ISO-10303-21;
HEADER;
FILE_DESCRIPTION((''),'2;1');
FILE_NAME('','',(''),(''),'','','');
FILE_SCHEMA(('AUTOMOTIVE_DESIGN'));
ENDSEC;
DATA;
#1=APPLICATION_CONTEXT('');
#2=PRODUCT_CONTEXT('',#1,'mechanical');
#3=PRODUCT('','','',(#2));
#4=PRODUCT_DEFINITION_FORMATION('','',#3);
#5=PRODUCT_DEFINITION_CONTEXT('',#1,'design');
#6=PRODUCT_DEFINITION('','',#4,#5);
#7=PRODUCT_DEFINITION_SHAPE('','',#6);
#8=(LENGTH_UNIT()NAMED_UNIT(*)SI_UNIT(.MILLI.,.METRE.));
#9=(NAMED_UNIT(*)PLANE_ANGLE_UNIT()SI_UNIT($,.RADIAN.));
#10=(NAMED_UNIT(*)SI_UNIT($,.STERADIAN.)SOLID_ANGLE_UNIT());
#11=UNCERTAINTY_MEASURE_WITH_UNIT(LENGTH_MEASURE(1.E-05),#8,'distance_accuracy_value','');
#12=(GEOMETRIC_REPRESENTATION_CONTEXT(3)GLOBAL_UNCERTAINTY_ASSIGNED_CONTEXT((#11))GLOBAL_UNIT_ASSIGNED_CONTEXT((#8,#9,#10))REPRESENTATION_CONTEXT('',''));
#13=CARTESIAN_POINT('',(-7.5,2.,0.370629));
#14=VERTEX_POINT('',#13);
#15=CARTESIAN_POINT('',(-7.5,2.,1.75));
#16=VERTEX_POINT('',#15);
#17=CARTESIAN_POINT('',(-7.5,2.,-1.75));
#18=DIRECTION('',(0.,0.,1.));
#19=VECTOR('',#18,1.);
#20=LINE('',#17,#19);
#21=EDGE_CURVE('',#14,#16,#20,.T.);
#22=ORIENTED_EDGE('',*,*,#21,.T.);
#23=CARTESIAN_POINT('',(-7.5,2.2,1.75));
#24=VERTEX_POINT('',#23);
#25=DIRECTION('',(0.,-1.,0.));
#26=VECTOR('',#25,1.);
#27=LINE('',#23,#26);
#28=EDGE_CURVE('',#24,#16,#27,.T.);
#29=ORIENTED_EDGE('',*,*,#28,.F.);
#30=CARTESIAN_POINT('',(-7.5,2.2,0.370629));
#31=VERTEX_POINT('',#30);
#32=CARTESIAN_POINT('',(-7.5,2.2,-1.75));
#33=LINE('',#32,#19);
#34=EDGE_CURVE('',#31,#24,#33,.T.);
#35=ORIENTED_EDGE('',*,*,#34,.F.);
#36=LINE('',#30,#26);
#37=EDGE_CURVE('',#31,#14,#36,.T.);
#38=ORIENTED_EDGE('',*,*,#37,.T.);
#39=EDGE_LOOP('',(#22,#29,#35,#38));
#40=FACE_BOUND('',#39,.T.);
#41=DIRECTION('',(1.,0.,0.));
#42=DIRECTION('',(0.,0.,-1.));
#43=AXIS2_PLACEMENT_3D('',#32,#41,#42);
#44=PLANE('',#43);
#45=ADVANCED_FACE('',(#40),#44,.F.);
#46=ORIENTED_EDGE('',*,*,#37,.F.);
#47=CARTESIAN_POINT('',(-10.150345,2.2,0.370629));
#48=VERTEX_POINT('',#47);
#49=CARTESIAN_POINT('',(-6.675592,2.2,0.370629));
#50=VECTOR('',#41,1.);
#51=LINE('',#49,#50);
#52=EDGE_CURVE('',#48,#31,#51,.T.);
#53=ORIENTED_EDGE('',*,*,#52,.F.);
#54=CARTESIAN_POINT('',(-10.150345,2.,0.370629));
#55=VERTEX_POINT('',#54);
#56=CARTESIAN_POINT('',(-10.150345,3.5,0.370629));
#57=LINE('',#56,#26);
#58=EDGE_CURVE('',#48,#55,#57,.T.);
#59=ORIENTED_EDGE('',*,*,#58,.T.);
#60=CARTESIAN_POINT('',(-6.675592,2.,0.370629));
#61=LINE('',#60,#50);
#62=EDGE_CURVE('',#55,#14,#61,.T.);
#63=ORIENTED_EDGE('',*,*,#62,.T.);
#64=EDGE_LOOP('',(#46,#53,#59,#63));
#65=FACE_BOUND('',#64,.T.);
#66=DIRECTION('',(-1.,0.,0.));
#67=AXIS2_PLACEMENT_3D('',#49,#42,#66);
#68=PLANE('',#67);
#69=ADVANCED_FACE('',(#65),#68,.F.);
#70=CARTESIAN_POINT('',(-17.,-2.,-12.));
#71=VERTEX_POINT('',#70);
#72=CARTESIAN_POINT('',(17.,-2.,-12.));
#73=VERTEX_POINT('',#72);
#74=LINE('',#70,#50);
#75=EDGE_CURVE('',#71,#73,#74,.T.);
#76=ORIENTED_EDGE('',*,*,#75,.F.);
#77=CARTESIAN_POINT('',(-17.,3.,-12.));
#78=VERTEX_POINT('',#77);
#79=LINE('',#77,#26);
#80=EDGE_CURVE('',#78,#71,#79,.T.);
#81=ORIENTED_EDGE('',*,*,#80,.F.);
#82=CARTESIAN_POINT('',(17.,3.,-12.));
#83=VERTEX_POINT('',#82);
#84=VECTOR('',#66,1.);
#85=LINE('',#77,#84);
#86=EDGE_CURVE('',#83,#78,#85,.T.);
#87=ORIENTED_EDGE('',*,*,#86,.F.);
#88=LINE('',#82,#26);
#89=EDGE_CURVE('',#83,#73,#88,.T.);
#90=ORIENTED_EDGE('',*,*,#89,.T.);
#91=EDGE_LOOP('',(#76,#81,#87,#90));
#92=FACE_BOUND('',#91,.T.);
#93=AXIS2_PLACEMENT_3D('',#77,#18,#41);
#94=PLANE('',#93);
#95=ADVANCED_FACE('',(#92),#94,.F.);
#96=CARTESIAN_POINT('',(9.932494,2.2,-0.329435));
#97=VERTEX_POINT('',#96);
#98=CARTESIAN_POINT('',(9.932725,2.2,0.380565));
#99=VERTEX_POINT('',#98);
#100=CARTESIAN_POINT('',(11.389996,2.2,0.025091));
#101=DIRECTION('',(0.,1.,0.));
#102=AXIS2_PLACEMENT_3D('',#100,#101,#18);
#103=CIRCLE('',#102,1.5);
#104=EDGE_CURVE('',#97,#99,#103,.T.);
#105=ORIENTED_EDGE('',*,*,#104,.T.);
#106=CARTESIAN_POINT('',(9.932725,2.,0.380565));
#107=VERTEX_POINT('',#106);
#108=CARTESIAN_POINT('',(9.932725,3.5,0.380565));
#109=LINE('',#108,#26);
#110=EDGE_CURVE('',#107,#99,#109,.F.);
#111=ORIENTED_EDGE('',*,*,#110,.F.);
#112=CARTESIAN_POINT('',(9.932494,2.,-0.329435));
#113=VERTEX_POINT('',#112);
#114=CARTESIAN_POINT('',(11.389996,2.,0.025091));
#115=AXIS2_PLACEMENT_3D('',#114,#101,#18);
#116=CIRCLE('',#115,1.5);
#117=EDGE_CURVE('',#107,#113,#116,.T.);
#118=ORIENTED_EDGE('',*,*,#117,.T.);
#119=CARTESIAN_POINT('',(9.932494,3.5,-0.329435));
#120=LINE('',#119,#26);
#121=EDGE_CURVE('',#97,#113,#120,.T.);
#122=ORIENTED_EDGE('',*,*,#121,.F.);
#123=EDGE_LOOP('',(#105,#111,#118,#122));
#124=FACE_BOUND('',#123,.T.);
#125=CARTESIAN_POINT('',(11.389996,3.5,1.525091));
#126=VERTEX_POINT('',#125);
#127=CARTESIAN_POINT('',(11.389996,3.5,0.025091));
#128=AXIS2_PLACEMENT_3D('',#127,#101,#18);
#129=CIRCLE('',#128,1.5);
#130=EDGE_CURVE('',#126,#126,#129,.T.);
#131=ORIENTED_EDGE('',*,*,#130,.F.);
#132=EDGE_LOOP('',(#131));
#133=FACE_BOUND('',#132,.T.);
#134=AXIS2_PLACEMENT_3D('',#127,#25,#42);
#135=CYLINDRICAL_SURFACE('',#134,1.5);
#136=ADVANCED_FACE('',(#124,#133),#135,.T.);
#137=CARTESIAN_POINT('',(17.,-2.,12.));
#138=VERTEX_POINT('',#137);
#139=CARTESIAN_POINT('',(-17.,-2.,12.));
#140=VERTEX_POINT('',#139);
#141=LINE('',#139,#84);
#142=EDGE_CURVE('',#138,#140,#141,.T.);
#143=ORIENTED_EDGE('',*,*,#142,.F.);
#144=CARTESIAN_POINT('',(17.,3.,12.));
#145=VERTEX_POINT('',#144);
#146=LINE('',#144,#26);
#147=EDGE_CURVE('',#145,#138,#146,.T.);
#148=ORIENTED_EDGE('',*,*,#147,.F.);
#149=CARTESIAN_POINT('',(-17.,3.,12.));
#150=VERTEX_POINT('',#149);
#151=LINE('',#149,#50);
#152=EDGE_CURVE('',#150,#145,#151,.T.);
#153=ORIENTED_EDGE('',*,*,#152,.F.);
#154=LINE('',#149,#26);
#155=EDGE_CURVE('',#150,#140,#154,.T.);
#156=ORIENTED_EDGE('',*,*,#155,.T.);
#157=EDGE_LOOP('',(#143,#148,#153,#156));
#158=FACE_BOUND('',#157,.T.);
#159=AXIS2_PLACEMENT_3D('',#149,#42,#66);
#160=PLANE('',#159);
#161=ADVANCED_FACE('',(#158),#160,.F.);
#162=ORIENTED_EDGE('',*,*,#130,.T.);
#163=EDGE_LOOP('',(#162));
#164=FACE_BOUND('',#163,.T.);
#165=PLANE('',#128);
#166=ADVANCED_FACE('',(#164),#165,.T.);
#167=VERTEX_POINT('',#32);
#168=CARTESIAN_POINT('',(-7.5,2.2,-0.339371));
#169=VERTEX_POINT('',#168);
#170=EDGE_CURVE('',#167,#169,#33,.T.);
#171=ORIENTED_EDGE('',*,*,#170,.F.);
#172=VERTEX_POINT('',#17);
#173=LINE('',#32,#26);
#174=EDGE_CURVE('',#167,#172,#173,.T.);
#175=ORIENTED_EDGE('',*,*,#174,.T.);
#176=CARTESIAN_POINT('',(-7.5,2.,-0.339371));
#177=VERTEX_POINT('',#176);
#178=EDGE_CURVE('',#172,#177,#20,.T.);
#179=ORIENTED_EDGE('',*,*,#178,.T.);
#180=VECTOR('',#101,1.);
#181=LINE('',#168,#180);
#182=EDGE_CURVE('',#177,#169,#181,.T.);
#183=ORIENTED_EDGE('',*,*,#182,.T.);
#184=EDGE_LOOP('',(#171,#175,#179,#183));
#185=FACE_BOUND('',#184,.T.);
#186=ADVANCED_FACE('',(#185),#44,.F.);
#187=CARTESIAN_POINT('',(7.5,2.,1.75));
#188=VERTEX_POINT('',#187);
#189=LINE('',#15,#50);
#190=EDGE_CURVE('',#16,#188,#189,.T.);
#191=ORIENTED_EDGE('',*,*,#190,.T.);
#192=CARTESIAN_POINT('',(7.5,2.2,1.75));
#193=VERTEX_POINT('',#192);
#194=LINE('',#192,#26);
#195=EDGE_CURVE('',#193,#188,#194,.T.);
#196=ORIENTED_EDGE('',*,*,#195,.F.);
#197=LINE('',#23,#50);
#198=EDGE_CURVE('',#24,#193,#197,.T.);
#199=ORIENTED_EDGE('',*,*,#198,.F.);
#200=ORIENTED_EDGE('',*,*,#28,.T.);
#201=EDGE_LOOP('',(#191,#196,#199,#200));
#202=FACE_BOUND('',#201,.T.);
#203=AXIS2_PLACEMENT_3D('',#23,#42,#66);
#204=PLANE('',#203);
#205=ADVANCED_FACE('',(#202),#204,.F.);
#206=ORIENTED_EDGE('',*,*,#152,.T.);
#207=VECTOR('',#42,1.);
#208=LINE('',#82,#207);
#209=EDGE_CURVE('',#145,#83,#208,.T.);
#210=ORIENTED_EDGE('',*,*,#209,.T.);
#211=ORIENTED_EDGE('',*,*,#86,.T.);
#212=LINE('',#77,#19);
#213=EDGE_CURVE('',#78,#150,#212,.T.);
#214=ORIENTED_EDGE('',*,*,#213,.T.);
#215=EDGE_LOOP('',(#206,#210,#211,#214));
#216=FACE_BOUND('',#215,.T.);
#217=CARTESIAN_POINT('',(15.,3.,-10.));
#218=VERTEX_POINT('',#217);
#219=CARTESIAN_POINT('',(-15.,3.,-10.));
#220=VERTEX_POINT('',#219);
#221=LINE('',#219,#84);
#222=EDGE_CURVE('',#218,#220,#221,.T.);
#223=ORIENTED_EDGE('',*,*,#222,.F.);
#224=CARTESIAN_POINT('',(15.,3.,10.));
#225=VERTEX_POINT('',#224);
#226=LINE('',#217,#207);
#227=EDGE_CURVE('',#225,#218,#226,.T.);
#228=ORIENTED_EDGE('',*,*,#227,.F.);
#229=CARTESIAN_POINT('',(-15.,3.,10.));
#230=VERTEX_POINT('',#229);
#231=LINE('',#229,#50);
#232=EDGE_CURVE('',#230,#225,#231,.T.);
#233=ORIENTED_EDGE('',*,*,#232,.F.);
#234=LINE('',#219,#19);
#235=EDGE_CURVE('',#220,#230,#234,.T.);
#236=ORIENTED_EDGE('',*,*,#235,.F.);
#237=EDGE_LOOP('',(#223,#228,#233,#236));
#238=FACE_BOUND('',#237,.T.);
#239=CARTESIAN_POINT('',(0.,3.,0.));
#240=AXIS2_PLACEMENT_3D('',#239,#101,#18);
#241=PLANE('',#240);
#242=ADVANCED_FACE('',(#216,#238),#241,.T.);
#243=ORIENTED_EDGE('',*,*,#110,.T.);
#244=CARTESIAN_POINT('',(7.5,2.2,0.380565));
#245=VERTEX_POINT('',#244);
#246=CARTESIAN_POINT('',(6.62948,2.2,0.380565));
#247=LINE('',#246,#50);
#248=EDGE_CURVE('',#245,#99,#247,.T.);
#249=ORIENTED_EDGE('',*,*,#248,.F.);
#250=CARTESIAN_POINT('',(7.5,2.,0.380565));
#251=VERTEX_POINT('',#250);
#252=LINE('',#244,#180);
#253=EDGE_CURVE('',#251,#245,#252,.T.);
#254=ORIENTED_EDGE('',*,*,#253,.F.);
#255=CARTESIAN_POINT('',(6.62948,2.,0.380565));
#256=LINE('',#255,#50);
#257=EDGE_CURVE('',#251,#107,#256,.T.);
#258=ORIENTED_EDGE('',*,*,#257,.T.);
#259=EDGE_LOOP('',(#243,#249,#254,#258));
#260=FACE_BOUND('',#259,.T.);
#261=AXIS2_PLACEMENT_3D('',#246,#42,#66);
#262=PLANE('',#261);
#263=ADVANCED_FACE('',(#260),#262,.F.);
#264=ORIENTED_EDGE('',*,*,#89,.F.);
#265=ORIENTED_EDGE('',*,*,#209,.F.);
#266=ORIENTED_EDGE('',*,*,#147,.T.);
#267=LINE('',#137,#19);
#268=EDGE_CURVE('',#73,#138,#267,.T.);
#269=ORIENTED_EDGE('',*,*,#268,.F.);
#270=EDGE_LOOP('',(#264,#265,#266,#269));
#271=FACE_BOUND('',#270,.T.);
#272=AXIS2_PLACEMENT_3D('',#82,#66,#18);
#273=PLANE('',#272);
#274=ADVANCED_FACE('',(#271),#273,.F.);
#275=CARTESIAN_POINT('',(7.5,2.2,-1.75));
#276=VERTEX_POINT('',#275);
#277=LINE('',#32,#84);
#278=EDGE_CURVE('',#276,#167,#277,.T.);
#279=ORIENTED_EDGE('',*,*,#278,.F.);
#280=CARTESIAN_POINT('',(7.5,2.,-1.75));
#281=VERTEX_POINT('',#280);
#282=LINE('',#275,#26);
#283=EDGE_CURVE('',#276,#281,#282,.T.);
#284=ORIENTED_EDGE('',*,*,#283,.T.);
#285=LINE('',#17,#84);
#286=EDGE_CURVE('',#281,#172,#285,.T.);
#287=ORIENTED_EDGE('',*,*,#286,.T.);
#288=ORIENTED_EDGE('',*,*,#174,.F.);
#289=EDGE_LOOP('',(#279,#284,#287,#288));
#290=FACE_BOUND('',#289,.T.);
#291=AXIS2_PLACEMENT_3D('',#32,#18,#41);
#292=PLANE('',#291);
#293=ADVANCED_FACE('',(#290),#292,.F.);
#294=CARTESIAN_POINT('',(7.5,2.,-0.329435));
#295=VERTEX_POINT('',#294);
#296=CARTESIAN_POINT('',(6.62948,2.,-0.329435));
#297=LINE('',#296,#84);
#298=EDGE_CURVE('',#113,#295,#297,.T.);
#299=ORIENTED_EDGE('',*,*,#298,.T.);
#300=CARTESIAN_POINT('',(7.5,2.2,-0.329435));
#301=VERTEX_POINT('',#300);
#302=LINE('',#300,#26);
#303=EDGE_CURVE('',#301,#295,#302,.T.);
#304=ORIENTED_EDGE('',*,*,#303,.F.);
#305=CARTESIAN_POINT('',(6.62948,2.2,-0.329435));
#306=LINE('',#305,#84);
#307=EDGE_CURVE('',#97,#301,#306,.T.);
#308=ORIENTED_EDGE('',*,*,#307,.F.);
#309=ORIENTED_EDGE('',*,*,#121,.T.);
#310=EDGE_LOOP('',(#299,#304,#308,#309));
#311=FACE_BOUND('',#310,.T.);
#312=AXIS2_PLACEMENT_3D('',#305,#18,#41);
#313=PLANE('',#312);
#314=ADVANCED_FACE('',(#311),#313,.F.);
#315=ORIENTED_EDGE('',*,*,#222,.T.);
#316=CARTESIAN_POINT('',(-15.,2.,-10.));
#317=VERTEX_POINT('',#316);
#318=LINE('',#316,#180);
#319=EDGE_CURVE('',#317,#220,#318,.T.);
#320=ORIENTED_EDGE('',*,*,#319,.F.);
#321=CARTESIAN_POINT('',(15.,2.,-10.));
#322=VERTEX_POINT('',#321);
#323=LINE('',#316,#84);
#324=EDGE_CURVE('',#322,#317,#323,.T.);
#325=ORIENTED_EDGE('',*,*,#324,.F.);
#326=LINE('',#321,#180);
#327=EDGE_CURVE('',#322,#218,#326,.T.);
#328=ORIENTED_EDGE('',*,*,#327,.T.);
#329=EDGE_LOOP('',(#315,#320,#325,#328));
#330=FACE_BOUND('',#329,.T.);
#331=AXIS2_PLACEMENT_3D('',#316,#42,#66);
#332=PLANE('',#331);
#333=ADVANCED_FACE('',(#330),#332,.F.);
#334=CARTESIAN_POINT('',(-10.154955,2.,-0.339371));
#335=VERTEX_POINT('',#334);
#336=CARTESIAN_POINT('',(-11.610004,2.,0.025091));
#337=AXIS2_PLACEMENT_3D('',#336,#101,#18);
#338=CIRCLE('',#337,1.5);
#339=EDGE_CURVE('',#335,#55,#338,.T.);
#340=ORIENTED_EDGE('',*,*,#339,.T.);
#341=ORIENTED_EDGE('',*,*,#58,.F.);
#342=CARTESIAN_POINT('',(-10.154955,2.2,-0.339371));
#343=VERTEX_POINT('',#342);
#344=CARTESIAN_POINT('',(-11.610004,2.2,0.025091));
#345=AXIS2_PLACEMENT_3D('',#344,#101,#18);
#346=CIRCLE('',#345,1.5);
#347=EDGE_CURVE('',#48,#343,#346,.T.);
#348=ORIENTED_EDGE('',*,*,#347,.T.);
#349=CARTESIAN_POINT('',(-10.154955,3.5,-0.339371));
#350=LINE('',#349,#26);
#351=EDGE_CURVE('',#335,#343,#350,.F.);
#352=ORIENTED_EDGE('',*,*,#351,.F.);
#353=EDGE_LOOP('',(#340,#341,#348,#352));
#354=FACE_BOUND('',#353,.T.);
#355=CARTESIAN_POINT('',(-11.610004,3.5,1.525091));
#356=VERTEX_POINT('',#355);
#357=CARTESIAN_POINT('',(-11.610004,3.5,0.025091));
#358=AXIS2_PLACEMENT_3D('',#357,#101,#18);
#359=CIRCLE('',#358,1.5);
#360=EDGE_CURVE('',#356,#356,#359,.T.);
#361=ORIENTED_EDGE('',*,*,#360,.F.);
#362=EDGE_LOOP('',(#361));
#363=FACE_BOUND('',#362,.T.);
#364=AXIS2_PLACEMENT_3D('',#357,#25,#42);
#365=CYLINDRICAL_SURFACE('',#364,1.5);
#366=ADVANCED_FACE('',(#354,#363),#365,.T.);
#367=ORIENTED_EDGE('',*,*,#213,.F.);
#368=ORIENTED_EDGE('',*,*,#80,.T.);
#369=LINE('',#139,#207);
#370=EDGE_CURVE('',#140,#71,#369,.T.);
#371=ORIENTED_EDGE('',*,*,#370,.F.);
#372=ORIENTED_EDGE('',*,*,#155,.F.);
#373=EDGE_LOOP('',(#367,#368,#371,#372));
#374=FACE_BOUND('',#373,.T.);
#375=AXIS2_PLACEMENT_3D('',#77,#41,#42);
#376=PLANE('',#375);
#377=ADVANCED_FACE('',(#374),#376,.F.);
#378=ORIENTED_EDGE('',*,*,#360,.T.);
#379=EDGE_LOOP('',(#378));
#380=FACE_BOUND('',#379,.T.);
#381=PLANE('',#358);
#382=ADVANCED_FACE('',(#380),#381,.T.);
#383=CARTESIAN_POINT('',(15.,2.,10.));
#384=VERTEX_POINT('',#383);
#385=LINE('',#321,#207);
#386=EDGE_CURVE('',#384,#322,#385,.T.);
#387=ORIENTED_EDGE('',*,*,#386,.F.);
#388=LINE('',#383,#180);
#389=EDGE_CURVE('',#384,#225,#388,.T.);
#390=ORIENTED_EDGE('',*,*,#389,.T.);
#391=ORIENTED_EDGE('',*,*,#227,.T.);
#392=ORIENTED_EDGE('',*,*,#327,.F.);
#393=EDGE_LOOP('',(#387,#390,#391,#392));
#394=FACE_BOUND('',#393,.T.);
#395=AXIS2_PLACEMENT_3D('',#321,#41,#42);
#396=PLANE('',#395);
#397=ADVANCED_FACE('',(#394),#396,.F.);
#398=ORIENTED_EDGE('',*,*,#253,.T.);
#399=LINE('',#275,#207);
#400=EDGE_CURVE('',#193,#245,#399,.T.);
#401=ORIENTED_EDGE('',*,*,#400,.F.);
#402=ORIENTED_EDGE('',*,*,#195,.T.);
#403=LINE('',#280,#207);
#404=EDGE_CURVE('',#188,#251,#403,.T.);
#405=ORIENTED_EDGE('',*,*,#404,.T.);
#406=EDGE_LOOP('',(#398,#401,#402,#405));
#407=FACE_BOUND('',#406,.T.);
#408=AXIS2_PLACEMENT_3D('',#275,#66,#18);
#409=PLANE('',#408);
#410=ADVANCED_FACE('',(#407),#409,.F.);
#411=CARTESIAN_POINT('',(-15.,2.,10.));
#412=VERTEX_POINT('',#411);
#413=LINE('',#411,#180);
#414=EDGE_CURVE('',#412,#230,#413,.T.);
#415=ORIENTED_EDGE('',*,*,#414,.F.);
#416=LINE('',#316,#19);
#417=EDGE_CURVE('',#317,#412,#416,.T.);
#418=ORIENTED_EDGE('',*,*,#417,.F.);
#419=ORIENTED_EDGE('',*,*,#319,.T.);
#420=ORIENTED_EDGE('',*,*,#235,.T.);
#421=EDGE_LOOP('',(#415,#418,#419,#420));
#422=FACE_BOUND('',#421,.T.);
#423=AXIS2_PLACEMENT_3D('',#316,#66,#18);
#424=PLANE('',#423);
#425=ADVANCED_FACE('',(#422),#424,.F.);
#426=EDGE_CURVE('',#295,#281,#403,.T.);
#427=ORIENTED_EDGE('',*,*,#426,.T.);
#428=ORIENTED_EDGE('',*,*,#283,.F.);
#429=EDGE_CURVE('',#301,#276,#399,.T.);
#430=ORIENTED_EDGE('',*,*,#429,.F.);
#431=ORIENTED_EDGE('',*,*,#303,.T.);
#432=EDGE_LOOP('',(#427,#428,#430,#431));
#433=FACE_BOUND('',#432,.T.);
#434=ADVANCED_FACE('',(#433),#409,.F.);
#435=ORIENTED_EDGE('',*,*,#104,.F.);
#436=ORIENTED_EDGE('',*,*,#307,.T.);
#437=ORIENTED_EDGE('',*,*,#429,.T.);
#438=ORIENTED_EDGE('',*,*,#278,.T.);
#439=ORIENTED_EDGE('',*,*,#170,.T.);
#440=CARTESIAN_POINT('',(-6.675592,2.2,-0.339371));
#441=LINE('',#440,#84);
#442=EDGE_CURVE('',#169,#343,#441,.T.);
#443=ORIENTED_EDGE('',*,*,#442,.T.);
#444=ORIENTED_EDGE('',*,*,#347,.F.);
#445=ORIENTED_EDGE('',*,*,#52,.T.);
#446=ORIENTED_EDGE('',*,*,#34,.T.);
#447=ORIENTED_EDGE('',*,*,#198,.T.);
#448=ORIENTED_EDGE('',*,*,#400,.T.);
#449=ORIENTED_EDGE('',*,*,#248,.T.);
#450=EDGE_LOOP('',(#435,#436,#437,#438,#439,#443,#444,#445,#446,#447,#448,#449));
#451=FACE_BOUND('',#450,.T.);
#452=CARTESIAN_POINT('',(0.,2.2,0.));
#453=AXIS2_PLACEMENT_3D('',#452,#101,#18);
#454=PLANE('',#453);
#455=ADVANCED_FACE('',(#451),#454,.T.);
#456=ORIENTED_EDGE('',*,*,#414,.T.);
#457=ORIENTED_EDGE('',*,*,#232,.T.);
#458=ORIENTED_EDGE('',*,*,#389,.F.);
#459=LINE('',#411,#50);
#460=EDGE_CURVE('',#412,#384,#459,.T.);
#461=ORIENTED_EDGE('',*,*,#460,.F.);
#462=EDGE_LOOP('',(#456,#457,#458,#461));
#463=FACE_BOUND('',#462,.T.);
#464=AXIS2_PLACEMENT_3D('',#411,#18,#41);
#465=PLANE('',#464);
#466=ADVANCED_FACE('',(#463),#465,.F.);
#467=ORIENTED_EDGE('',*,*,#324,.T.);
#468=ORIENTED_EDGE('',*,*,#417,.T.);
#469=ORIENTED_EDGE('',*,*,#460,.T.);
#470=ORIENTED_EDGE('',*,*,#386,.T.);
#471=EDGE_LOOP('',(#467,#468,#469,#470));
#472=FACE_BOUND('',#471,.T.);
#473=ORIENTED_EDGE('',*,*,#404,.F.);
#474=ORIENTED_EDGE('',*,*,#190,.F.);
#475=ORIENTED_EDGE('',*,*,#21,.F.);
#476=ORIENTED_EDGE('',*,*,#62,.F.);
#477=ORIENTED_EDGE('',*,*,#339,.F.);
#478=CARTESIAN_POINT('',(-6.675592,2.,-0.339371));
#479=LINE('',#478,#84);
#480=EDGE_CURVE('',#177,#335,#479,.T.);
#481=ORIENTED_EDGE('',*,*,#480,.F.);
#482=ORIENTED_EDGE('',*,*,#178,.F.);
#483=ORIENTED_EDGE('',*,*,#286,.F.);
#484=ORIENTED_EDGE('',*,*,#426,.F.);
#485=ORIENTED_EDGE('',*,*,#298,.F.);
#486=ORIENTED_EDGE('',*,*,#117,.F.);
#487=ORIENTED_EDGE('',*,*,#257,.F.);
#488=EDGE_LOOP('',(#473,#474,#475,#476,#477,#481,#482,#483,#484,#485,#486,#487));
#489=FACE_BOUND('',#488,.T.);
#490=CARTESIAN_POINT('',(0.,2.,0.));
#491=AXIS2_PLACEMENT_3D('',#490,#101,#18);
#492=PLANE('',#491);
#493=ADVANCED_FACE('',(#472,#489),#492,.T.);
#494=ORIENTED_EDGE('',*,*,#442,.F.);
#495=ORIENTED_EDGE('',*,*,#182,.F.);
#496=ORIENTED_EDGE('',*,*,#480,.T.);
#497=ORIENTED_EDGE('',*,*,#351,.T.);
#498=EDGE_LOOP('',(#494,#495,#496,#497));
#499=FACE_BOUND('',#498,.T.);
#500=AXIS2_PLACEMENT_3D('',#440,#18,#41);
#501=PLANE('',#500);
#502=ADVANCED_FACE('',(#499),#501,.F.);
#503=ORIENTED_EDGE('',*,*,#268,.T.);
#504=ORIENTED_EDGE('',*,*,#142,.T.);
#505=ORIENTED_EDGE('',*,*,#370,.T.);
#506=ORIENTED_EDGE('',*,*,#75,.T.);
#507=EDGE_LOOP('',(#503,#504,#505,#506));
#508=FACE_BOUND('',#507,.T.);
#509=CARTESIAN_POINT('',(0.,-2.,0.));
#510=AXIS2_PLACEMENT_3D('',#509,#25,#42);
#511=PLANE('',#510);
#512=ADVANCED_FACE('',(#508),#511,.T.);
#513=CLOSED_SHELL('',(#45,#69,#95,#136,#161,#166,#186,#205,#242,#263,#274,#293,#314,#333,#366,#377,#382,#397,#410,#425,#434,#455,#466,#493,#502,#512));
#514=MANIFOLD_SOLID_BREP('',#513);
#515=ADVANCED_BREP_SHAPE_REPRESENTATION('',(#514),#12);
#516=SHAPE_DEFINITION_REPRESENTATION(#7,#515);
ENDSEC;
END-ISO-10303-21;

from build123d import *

# Parameters (mm, degrees)
CROQUIS1_W               = 34
CROQUIS1_H               = 24
SALIENTE_EXTRUIR1_DEPTH  = 3
CROQUIS2_W               = 30
CROQUIS2_H               = 20
CORTAR_EXTRUIR1_DEPTH    = 1
CROQUIS6_R               = 1.5
SALIENTE_EXTRUIR3_DEPTH  = 1.5
MATRIZL1_COUNT           = 2
MATRIZL1_PITCH           = 23
CROQUIS8_W               = 5
CROQUIS8_H               = 0.71
SALIENTE_EXTRUIR5_DEPTH  = 0.2
CROQUIS10_W              = 5
CROQUIS10_H              = 0.71
SALIENTE_EXTRUIR6_DEPTH  = 0.2
CROQUIS18_W              = 15
CROQUIS18_H              = 3.5
SALIENTE_EXTRUIR8_DEPTH  = 0.2
CROQUIS23_W              = 34
CROQUIS23_H              = 24
SALIENTE_EXTRUIR11_DEPTH = 2


with BuildPart() as part:
    # Croquis1 → Saliente-Extruir1 (new body)
    with BuildSketch(Plane(origin=(0, 0, 0), x_dir=(1, 0, 0), z_dir=(0, 1, 0))):
        Rectangle(CROQUIS1_W, CROQUIS1_H)
    extrude(amount=SALIENTE_EXTRUIR1_DEPTH)

    # Croquis2 → Cortar-Extruir1 (cut)
    with BuildSketch(Plane(origin=(0, 3, 0), x_dir=(1, 0, 0), z_dir=(0, 1, 0))):
        Rectangle(CROQUIS2_W, CROQUIS2_H)
    extrude(amount=-CORTAR_EXTRUIR1_DEPTH, mode=Mode.SUBTRACT)

    # Croquis6 → Saliente-Extruir3 (add)
    with BuildSketch(Plane(origin=(-1.755264317, 2, -0.109917309), x_dir=(1, 0, 0), z_dir=(0, 1, 0))):
        with Locations(Location((-9.854739848, -0.135008356, 0), (0, 0, 270))):
            Circle(CROQUIS6_R)
    saliente_extruir3 = extrude(amount=SALIENTE_EXTRUIR3_DEPTH)

    # MatrizL1: Saliente-Extruir3 ×2
    with Locations(*[(i * MATRIZL1_PITCH, 0, 0) for i in range(1, MATRIZL1_COUNT)]):
        add(saliente_extruir3)

    # Croquis8 → Saliente-Extruir5 (add)
    with BuildSketch(Plane(origin=(0, 2, 0.512947444), x_dir=(1, 0, 0), z_dir=(0, 1, 0))):
        with Locations((-9.175591951, 0.49731844)):
            Rectangle(CROQUIS8_W, CROQUIS8_H)
    extrude(amount=SALIENTE_EXTRUIR5_DEPTH)

    # Croquis10 → Saliente-Extruir6 (add)
    with BuildSketch(Plane(origin=(3.639202125, 2, -0.512947444), x_dir=(1, 0, 0), z_dir=(0, 1, 0))):
        with Locations((5.490278272, -0.538512576)):
            Rectangle(CROQUIS10_W, CROQUIS10_H)
    extrude(amount=SALIENTE_EXTRUIR6_DEPTH)

    # Croquis18 → Saliente-Extruir8 (add)
    with BuildSketch(Plane(origin=(0, 2, 0), x_dir=(1, 0, 0), z_dir=(0, 1, 0))):
        Rectangle(CROQUIS18_W, CROQUIS18_H)
    extrude(amount=SALIENTE_EXTRUIR8_DEPTH)

    # Croquis23 → Saliente-Extruir11 (add)
    with BuildSketch(Plane.XZ):
        Rectangle(CROQUIS23_W, CROQUIS23_H)
    extrude(amount=SALIENTE_EXTRUIR11_DEPTH)


solid = part.part
